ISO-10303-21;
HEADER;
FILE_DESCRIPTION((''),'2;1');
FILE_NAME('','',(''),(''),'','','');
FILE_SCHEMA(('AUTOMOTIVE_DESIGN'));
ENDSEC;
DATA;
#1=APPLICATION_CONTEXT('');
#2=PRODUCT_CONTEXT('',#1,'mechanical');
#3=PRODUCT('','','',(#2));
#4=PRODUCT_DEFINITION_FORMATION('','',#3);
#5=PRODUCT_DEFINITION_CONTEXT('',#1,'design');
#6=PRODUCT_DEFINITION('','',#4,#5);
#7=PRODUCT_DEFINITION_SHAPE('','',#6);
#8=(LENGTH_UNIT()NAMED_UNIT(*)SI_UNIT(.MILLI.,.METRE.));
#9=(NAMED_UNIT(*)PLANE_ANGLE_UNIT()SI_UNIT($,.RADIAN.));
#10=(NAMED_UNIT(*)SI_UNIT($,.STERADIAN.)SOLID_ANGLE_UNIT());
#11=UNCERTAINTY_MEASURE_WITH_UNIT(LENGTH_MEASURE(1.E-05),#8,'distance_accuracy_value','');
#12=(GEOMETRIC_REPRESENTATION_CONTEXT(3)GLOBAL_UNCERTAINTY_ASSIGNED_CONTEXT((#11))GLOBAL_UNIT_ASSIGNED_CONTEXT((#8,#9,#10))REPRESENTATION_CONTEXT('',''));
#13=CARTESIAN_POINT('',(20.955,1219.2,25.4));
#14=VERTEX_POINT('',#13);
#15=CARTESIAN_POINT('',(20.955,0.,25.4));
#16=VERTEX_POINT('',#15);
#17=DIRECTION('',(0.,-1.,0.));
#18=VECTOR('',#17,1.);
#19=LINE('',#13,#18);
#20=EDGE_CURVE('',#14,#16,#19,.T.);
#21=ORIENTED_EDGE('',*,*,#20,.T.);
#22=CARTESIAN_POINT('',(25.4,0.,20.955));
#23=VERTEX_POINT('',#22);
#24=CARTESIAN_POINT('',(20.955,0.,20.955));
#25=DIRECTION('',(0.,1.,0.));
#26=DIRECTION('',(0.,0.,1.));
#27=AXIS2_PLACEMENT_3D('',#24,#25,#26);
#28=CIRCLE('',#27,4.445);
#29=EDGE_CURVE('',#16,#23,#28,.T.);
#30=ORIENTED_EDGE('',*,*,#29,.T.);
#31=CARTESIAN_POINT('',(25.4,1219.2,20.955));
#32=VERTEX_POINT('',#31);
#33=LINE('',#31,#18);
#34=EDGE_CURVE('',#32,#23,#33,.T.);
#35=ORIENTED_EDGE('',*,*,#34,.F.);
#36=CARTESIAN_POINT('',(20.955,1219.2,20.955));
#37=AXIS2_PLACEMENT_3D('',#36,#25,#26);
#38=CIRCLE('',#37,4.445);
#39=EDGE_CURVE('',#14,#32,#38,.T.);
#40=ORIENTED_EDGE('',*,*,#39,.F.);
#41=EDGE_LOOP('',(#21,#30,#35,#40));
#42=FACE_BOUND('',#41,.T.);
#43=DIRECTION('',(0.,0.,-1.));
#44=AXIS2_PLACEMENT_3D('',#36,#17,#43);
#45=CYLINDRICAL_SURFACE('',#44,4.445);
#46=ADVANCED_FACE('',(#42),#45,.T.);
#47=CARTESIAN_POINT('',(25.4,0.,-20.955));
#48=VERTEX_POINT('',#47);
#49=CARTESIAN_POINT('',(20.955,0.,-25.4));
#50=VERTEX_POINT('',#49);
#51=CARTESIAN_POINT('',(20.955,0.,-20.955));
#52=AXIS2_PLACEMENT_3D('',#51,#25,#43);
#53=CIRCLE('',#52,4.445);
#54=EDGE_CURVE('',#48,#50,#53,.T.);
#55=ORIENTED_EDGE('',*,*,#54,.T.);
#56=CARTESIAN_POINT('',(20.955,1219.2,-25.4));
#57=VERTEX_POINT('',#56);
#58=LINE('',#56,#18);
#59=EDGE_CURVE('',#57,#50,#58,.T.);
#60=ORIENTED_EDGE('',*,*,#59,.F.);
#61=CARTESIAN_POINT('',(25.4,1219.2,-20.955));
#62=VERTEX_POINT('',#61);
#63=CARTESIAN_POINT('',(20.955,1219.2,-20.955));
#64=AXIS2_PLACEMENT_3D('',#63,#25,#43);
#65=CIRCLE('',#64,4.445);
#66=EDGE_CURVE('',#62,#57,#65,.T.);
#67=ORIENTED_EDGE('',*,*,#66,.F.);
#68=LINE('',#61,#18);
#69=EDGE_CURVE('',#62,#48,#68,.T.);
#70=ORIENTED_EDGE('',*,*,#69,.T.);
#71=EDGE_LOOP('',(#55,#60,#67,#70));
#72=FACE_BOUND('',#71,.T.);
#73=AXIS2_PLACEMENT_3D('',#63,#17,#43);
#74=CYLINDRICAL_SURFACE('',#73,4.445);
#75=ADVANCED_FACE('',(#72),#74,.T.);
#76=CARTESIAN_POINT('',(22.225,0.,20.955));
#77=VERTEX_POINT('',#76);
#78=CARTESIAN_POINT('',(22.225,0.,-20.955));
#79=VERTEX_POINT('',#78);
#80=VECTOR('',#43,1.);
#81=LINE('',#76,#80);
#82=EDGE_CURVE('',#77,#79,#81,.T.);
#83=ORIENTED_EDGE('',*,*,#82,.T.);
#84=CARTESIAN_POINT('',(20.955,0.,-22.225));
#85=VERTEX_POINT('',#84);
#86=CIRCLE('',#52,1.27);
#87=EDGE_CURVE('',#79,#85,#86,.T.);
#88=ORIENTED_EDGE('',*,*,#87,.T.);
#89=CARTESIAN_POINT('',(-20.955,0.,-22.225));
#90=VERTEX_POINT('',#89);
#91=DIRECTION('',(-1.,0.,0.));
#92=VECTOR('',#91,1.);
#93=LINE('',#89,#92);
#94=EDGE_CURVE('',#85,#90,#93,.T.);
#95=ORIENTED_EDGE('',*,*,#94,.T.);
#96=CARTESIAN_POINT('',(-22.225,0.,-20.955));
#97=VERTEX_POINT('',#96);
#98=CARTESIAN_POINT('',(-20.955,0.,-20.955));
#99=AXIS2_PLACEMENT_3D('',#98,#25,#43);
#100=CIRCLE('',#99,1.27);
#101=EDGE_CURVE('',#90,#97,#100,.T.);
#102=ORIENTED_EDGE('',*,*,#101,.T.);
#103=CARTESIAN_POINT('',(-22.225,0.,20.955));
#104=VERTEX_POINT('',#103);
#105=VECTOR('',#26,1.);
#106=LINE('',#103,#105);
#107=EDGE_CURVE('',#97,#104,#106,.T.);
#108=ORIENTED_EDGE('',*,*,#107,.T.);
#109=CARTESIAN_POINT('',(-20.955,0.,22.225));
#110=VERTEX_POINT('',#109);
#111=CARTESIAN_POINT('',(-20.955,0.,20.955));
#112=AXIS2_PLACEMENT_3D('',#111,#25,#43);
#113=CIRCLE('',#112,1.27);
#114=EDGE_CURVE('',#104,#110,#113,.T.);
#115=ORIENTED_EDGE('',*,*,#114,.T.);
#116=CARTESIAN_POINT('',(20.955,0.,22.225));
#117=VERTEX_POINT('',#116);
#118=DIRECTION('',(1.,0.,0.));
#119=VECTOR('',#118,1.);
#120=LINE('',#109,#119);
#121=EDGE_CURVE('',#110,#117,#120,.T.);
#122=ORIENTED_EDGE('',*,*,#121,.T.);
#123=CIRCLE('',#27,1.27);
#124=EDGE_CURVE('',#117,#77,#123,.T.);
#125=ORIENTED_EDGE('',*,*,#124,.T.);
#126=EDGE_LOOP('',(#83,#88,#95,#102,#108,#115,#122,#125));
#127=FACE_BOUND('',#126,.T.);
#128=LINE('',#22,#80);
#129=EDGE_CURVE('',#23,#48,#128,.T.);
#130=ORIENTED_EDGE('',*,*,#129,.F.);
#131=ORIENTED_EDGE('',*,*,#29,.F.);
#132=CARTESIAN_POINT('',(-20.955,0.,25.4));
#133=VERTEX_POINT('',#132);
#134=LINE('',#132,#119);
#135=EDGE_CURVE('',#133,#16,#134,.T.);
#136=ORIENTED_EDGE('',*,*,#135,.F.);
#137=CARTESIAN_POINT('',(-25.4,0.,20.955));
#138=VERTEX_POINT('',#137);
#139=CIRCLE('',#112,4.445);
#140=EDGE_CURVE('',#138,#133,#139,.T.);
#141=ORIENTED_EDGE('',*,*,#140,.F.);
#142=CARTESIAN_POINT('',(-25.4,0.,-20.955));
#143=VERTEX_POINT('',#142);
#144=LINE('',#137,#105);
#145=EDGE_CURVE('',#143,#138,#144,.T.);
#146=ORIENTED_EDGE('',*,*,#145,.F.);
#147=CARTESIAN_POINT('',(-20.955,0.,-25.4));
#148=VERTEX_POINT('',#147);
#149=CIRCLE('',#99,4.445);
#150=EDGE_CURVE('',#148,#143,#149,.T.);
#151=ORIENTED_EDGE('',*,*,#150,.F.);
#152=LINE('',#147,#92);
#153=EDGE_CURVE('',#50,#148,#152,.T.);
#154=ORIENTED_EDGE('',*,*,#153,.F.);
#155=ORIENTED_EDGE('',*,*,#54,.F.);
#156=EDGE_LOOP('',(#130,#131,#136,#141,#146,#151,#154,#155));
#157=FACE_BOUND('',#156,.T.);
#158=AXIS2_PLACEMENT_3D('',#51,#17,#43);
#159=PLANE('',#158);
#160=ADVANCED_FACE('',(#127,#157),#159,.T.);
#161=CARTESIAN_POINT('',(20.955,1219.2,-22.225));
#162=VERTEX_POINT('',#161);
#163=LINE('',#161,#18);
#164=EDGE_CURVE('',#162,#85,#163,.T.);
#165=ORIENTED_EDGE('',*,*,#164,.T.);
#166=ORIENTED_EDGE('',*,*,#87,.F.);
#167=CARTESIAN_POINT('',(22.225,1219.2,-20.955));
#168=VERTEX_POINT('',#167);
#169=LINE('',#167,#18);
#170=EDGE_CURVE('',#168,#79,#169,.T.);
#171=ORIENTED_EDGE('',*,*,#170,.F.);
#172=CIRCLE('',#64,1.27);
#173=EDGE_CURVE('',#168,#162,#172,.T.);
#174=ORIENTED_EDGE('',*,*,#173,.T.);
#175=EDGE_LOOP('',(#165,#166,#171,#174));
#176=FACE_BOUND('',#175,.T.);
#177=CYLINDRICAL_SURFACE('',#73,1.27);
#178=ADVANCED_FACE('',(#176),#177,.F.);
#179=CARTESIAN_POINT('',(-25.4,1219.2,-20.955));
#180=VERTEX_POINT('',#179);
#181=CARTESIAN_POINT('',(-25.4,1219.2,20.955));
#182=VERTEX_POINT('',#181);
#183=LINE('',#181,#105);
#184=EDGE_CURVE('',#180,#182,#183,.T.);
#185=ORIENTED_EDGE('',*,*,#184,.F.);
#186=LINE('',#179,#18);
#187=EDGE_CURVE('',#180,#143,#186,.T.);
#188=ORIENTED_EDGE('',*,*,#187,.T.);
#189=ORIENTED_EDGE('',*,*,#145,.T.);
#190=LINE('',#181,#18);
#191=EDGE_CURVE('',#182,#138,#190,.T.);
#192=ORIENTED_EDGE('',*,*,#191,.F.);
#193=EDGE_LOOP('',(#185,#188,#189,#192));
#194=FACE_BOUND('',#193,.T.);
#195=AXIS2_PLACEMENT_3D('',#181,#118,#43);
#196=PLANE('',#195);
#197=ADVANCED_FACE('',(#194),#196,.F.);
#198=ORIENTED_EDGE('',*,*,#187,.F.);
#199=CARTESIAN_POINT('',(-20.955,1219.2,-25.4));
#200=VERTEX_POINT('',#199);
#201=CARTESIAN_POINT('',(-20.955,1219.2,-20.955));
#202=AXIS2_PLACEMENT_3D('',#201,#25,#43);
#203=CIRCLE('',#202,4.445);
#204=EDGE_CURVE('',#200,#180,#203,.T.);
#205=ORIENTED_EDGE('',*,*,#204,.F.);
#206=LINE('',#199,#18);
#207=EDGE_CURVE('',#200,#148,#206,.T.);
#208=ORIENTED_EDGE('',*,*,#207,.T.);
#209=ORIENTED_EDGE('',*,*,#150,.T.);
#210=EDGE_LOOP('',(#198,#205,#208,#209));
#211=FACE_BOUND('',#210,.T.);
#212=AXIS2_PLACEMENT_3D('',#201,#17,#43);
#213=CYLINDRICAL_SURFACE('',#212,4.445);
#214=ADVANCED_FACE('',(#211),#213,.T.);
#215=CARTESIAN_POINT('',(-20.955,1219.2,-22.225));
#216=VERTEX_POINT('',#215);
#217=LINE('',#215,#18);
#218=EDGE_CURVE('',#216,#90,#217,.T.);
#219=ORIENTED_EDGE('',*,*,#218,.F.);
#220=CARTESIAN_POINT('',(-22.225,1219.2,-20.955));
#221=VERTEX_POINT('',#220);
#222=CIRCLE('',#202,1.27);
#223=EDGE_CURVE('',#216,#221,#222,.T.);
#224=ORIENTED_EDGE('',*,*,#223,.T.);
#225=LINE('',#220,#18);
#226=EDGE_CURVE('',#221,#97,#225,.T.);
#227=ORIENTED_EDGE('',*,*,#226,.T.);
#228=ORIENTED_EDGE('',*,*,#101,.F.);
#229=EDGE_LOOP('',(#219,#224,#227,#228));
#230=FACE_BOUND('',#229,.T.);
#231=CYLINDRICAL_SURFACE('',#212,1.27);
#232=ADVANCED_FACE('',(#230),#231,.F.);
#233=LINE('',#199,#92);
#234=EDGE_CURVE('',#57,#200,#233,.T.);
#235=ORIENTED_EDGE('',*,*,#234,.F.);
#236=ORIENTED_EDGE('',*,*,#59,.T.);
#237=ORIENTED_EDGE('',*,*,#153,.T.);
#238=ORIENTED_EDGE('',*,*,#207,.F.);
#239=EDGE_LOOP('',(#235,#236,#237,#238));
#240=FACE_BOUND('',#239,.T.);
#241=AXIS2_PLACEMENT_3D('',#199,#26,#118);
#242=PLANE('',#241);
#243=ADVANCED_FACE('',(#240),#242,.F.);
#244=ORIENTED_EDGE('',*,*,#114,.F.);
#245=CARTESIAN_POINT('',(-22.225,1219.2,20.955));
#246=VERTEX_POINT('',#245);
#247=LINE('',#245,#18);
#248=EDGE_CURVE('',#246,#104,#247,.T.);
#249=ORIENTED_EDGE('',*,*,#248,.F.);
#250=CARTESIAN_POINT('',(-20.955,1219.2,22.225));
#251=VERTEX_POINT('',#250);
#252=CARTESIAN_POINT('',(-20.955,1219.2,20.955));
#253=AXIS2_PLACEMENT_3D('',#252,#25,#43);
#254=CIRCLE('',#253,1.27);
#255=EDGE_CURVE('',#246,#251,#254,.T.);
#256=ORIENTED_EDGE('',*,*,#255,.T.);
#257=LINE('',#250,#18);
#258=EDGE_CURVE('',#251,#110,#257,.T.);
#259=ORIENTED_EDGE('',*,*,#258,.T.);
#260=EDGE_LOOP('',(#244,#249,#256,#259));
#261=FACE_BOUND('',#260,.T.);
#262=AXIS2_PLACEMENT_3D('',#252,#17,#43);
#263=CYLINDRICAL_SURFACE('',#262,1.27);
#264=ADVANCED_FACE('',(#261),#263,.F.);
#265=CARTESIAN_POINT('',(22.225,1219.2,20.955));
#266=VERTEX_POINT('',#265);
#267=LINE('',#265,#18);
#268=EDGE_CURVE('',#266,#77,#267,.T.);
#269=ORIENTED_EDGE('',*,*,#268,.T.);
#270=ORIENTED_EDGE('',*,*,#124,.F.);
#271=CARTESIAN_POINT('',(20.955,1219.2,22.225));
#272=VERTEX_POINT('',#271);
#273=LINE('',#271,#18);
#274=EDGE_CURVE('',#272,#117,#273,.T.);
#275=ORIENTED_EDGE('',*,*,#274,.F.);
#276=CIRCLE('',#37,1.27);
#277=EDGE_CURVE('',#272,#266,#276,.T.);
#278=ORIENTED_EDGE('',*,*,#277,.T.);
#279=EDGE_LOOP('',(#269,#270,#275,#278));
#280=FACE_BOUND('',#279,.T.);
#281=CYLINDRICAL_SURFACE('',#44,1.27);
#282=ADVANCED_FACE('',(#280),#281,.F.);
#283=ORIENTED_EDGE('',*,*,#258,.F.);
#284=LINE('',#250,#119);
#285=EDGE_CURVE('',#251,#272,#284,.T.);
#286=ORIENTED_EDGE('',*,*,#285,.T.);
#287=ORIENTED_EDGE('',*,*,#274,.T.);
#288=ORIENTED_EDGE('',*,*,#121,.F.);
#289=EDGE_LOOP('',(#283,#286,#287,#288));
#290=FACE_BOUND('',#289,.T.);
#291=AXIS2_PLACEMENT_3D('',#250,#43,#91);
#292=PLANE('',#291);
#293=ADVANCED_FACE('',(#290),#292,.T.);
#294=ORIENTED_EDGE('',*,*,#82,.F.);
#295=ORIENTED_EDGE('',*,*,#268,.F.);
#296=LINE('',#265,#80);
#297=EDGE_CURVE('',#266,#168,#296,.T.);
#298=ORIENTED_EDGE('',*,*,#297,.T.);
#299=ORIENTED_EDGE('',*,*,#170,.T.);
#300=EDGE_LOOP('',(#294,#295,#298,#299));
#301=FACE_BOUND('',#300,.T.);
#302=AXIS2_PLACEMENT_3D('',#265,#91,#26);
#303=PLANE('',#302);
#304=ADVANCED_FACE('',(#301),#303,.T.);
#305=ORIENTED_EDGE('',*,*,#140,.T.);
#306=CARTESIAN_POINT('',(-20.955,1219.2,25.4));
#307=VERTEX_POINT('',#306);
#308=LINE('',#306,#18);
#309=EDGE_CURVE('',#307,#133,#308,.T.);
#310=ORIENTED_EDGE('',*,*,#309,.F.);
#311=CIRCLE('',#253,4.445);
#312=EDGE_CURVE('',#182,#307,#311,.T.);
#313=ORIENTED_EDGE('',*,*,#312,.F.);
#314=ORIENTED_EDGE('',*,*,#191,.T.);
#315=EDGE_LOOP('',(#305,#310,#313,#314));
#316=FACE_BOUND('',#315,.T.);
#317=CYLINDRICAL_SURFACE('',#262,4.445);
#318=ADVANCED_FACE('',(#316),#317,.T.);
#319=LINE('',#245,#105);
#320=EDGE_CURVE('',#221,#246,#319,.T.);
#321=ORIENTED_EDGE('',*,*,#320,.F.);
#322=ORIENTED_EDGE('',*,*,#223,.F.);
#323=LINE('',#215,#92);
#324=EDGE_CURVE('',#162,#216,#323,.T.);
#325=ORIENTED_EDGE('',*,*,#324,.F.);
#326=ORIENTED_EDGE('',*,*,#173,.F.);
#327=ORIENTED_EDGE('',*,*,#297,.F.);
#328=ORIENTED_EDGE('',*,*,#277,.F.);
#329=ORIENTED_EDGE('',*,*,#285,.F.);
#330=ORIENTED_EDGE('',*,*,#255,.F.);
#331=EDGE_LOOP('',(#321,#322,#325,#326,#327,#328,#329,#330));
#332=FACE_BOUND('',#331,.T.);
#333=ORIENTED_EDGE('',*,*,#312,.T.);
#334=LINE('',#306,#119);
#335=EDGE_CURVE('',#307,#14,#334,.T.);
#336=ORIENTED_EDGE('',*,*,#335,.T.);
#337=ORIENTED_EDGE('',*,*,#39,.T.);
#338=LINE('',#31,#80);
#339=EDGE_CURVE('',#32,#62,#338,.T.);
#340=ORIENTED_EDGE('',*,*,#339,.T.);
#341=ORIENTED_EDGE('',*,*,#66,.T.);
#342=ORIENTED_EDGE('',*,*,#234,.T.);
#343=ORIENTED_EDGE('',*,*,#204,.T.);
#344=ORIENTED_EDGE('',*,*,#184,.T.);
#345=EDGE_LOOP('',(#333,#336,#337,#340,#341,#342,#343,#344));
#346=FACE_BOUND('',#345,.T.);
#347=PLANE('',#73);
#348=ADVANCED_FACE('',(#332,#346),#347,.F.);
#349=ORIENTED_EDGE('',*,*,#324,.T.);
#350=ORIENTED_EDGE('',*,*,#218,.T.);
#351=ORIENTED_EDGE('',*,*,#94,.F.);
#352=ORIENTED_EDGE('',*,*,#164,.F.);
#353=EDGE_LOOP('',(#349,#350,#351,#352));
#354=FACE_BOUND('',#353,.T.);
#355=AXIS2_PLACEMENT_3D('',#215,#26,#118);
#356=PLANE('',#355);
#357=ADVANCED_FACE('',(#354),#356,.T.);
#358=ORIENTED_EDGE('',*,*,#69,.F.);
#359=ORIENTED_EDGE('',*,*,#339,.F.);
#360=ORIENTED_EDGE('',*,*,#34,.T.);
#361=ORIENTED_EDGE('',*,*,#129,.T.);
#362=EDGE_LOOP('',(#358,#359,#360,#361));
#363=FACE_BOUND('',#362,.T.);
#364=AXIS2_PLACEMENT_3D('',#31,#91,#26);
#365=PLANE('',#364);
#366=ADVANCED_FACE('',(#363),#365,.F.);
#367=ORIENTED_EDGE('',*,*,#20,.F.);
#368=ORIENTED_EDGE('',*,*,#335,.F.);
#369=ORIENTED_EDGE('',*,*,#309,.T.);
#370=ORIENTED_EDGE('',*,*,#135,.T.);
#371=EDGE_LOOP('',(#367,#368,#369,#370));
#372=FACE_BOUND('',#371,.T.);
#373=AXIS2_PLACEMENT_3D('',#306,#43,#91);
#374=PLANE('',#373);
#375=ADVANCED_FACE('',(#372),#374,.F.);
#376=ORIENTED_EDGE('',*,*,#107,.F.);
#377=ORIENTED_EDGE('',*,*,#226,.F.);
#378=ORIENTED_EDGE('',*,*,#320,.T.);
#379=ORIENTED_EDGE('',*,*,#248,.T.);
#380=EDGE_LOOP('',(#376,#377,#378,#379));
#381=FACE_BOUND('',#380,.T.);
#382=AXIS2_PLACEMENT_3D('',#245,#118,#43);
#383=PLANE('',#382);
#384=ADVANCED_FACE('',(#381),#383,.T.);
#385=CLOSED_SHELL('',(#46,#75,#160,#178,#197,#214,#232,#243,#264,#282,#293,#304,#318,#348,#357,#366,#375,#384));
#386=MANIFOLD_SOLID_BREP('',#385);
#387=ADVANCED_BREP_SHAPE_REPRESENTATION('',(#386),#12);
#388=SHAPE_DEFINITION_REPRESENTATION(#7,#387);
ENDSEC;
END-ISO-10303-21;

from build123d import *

# Parameters (mm, degrees)
BOSS_EXTRUDE1_DEPTH = 1219.2


with BuildPart() as part:
    # Sketch2 → Boss-Extrude1 (new body)
    with BuildSketch(Plane(origin=(0, 0, 0), x_dir=(1, 0, 0), z_dir=(0, 1, 0))):
        with BuildLine():
            Line((-20.955, -25.4), (20.955, -25.4))
            ThreePointArc((20.955, -25.4), (24.098089642, -24.098089642), (25.4, -20.955))
            Line((25.4, -20.955), (25.4, 20.955))
            ThreePointArc((25.4, 20.955), (24.098089642, 24.098089642), (20.955, 25.4))
            Line((20.955, 25.4), (-20.955, 25.4))
            ThreePointArc((-20.955, 25.4), (-24.098089642, 24.098089642), (-25.4, 20.955))
            Line((-25.4, 20.955), (-25.4, -20.955))
            ThreePointArc((-25.4, -20.955), (-24.098089642, -24.098089642), (-20.955, -25.4))
        make_face()
        with BuildLine():
            Line((-20.955, -22.225), (20.955, -22.225))
            ThreePointArc((20.955, -22.225), (21.853025612, -21.853025612), (22.225, -20.955))
            Line((22.225, -20.955), (22.225, 20.955))
            ThreePointArc((22.225, 20.955), (21.853025612, 21.853025612), (20.955, 22.225))
            Line((20.955, 22.225), (-20.955, 22.225))
            ThreePointArc((-20.955, 22.225), (-21.853025612, 21.853025612), (-22.225, 20.955))
            Line((-22.225, 20.955), (-22.225, -20.955))
            ThreePointArc((-22.225, -20.955), (-21.853025612, -21.853025612), (-20.955, -22.225))
        make_face(mode=Mode.SUBTRACT)
    extrude(amount=BOSS_EXTRUDE1_DEPTH)


solid = part.part
